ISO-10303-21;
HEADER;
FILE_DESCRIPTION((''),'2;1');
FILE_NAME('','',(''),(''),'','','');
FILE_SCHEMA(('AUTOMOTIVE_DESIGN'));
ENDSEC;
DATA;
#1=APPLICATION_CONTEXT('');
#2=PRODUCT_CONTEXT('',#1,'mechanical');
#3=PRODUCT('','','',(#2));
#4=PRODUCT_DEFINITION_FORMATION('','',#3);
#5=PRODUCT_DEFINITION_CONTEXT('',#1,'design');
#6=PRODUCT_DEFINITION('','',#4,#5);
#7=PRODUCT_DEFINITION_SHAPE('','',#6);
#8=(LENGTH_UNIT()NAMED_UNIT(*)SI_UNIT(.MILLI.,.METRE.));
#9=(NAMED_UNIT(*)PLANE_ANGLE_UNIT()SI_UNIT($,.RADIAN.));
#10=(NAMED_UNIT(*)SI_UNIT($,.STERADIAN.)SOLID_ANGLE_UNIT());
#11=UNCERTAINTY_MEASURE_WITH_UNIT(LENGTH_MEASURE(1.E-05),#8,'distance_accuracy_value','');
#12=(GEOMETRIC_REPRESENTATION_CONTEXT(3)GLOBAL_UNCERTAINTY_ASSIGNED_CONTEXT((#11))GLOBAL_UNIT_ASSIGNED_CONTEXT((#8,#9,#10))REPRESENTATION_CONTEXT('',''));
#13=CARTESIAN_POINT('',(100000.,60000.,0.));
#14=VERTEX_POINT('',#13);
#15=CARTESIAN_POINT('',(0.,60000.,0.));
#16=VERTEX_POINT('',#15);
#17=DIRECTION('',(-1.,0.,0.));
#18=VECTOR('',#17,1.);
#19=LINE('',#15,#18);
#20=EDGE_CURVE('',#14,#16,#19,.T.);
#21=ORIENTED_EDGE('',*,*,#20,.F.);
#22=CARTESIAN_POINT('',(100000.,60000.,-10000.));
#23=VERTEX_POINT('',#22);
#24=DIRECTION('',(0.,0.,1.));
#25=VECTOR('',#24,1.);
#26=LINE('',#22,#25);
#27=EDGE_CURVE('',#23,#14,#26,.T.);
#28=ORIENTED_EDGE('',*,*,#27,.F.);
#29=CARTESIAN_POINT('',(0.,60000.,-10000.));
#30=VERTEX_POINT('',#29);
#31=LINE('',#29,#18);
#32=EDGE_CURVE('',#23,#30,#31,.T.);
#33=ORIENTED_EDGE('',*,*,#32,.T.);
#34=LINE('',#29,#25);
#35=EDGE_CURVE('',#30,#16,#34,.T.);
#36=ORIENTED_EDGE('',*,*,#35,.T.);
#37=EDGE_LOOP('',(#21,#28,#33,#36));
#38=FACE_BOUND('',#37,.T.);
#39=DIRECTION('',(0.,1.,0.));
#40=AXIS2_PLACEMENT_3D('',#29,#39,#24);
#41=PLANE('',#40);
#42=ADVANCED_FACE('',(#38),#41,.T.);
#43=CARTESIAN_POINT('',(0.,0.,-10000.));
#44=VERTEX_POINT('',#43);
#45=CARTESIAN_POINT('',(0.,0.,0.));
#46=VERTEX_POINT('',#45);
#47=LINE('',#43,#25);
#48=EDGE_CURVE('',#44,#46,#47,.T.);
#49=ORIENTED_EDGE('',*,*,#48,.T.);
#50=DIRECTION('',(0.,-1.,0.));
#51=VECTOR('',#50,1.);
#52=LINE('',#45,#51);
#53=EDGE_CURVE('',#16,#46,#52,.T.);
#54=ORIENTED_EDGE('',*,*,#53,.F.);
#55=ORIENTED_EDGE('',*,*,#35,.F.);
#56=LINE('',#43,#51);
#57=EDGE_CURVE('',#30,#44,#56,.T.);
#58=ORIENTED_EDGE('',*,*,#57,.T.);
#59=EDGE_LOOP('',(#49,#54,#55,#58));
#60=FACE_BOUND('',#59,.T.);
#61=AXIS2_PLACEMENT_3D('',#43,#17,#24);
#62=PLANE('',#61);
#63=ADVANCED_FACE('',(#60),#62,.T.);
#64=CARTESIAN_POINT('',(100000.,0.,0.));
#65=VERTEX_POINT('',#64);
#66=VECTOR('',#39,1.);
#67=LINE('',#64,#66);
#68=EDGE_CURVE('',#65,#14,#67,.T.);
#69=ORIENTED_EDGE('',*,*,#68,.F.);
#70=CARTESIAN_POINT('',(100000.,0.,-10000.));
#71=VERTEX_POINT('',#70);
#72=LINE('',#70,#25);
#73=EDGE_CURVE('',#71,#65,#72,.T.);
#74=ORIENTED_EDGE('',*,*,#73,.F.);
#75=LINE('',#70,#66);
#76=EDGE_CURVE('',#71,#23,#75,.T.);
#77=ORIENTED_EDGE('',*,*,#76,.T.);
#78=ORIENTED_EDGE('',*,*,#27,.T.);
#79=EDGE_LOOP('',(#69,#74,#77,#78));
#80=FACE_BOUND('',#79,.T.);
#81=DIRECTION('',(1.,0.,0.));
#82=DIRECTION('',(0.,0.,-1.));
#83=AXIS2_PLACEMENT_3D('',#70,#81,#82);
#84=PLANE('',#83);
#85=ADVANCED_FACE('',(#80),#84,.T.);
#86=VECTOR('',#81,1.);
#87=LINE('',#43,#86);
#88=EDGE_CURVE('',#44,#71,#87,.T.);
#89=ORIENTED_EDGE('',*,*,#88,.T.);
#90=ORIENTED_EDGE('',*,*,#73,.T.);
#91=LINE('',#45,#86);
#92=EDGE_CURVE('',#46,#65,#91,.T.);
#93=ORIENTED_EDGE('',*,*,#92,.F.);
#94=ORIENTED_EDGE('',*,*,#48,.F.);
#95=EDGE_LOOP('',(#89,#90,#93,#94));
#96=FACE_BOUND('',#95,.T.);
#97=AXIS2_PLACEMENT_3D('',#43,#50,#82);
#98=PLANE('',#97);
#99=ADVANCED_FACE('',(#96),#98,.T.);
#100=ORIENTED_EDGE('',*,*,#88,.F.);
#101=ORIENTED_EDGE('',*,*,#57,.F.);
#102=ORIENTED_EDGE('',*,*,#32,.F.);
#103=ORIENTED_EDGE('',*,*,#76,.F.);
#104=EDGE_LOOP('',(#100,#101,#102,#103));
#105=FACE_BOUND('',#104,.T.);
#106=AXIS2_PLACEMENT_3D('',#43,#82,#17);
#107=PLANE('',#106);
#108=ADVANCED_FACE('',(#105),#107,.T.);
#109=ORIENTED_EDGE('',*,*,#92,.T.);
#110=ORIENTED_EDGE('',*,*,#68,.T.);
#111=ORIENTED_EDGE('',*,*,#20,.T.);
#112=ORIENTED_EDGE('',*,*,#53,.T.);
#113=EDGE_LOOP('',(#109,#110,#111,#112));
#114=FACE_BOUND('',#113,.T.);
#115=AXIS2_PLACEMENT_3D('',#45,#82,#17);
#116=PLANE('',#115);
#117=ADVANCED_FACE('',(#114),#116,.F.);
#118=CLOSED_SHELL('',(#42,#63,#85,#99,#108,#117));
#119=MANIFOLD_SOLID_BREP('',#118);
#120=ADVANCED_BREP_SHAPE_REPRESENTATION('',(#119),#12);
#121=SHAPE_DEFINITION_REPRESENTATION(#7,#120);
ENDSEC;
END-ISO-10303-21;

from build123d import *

# Parameters (mm, degrees)
SKETCH_1_W      = 100000
SKETCH_1_H      = 60000
EXTRUDE_1_DEPTH = 10000


with BuildPart() as part:
    # 草图1 → 凸台-拉伸1 (new body)
    with BuildSketch(Plane.XY):
        with Locations((50000, 30000)):
            Rectangle(SKETCH_1_W, SKETCH_1_H)
    extrude(amount=-EXTRUDE_1_DEPTH)


solid = part.part
